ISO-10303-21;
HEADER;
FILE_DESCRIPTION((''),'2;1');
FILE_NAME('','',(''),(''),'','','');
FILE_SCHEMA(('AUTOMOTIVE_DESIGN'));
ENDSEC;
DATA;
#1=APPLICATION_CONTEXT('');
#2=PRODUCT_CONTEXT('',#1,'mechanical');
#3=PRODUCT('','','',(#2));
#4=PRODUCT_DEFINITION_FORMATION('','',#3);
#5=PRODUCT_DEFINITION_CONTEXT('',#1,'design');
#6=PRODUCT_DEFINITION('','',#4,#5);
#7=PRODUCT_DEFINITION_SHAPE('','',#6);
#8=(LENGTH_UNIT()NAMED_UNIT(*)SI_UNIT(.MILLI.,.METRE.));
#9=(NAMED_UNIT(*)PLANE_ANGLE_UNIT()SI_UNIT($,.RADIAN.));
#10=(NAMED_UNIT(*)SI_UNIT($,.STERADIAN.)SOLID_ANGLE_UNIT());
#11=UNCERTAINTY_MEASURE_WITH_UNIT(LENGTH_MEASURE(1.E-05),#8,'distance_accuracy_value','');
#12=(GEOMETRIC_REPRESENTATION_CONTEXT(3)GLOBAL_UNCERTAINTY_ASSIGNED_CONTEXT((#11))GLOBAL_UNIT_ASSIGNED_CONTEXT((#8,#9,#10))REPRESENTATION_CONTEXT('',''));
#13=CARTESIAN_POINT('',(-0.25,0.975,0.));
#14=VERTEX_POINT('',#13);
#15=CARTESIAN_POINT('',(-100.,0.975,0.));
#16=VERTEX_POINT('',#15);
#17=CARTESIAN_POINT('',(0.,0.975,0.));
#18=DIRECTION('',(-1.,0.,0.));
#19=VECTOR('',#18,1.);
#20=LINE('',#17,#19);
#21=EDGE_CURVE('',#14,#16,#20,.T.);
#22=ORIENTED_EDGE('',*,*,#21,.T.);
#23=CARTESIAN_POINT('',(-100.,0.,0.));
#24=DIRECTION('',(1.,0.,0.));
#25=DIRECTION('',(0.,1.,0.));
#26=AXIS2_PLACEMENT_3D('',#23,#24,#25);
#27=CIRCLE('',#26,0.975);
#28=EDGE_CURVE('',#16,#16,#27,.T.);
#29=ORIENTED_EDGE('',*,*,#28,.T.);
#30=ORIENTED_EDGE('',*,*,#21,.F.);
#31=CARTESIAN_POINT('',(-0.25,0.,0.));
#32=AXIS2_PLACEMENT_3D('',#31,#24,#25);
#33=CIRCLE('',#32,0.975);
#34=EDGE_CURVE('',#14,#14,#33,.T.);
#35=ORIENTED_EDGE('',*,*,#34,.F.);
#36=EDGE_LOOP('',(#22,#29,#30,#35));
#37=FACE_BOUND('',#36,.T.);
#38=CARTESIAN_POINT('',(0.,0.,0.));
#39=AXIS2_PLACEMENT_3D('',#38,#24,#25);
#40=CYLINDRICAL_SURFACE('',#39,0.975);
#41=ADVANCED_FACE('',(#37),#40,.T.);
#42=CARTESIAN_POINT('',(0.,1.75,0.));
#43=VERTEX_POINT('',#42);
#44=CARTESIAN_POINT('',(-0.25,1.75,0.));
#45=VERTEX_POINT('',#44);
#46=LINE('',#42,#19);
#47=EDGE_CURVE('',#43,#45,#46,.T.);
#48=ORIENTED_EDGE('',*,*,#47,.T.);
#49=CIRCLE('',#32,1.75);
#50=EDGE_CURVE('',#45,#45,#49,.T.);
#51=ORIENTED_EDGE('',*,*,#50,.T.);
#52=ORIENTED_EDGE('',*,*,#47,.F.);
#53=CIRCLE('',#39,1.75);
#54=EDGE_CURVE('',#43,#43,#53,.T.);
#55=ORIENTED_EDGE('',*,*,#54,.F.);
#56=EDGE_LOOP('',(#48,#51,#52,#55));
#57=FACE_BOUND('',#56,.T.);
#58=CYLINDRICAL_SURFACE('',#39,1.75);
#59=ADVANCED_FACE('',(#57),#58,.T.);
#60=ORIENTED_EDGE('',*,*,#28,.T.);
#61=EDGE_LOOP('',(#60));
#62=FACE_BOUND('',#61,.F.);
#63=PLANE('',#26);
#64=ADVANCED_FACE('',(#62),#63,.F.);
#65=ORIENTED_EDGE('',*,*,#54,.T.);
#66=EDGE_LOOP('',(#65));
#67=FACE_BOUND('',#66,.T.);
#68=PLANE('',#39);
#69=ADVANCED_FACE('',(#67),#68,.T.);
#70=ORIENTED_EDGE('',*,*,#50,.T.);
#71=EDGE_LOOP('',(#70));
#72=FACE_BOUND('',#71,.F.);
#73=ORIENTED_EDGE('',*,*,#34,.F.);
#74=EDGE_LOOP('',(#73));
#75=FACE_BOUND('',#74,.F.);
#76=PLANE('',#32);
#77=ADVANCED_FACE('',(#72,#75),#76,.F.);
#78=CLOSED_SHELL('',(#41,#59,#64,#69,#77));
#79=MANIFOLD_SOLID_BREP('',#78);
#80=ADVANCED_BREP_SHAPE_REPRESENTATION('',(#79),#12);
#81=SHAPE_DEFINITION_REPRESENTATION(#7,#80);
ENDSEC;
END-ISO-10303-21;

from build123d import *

# Parameters (mm, degrees)
F0_R     = 0.975
F1_DEPTH = 100
F2_R     = 1.75
F3_DEPTH = 0.25


with BuildPart() as f1:
    # F0 (on Right) → F1 (new body)
    with BuildSketch(Plane.YZ):
        Circle(F0_R)
    extrude(amount=-F1_DEPTH)

    # F2 (on face) → F3 (join)
    with BuildSketch(Plane.YZ):
        Circle(F2_R)
    extrude(amount=-F3_DEPTH)


solid = f1.part
